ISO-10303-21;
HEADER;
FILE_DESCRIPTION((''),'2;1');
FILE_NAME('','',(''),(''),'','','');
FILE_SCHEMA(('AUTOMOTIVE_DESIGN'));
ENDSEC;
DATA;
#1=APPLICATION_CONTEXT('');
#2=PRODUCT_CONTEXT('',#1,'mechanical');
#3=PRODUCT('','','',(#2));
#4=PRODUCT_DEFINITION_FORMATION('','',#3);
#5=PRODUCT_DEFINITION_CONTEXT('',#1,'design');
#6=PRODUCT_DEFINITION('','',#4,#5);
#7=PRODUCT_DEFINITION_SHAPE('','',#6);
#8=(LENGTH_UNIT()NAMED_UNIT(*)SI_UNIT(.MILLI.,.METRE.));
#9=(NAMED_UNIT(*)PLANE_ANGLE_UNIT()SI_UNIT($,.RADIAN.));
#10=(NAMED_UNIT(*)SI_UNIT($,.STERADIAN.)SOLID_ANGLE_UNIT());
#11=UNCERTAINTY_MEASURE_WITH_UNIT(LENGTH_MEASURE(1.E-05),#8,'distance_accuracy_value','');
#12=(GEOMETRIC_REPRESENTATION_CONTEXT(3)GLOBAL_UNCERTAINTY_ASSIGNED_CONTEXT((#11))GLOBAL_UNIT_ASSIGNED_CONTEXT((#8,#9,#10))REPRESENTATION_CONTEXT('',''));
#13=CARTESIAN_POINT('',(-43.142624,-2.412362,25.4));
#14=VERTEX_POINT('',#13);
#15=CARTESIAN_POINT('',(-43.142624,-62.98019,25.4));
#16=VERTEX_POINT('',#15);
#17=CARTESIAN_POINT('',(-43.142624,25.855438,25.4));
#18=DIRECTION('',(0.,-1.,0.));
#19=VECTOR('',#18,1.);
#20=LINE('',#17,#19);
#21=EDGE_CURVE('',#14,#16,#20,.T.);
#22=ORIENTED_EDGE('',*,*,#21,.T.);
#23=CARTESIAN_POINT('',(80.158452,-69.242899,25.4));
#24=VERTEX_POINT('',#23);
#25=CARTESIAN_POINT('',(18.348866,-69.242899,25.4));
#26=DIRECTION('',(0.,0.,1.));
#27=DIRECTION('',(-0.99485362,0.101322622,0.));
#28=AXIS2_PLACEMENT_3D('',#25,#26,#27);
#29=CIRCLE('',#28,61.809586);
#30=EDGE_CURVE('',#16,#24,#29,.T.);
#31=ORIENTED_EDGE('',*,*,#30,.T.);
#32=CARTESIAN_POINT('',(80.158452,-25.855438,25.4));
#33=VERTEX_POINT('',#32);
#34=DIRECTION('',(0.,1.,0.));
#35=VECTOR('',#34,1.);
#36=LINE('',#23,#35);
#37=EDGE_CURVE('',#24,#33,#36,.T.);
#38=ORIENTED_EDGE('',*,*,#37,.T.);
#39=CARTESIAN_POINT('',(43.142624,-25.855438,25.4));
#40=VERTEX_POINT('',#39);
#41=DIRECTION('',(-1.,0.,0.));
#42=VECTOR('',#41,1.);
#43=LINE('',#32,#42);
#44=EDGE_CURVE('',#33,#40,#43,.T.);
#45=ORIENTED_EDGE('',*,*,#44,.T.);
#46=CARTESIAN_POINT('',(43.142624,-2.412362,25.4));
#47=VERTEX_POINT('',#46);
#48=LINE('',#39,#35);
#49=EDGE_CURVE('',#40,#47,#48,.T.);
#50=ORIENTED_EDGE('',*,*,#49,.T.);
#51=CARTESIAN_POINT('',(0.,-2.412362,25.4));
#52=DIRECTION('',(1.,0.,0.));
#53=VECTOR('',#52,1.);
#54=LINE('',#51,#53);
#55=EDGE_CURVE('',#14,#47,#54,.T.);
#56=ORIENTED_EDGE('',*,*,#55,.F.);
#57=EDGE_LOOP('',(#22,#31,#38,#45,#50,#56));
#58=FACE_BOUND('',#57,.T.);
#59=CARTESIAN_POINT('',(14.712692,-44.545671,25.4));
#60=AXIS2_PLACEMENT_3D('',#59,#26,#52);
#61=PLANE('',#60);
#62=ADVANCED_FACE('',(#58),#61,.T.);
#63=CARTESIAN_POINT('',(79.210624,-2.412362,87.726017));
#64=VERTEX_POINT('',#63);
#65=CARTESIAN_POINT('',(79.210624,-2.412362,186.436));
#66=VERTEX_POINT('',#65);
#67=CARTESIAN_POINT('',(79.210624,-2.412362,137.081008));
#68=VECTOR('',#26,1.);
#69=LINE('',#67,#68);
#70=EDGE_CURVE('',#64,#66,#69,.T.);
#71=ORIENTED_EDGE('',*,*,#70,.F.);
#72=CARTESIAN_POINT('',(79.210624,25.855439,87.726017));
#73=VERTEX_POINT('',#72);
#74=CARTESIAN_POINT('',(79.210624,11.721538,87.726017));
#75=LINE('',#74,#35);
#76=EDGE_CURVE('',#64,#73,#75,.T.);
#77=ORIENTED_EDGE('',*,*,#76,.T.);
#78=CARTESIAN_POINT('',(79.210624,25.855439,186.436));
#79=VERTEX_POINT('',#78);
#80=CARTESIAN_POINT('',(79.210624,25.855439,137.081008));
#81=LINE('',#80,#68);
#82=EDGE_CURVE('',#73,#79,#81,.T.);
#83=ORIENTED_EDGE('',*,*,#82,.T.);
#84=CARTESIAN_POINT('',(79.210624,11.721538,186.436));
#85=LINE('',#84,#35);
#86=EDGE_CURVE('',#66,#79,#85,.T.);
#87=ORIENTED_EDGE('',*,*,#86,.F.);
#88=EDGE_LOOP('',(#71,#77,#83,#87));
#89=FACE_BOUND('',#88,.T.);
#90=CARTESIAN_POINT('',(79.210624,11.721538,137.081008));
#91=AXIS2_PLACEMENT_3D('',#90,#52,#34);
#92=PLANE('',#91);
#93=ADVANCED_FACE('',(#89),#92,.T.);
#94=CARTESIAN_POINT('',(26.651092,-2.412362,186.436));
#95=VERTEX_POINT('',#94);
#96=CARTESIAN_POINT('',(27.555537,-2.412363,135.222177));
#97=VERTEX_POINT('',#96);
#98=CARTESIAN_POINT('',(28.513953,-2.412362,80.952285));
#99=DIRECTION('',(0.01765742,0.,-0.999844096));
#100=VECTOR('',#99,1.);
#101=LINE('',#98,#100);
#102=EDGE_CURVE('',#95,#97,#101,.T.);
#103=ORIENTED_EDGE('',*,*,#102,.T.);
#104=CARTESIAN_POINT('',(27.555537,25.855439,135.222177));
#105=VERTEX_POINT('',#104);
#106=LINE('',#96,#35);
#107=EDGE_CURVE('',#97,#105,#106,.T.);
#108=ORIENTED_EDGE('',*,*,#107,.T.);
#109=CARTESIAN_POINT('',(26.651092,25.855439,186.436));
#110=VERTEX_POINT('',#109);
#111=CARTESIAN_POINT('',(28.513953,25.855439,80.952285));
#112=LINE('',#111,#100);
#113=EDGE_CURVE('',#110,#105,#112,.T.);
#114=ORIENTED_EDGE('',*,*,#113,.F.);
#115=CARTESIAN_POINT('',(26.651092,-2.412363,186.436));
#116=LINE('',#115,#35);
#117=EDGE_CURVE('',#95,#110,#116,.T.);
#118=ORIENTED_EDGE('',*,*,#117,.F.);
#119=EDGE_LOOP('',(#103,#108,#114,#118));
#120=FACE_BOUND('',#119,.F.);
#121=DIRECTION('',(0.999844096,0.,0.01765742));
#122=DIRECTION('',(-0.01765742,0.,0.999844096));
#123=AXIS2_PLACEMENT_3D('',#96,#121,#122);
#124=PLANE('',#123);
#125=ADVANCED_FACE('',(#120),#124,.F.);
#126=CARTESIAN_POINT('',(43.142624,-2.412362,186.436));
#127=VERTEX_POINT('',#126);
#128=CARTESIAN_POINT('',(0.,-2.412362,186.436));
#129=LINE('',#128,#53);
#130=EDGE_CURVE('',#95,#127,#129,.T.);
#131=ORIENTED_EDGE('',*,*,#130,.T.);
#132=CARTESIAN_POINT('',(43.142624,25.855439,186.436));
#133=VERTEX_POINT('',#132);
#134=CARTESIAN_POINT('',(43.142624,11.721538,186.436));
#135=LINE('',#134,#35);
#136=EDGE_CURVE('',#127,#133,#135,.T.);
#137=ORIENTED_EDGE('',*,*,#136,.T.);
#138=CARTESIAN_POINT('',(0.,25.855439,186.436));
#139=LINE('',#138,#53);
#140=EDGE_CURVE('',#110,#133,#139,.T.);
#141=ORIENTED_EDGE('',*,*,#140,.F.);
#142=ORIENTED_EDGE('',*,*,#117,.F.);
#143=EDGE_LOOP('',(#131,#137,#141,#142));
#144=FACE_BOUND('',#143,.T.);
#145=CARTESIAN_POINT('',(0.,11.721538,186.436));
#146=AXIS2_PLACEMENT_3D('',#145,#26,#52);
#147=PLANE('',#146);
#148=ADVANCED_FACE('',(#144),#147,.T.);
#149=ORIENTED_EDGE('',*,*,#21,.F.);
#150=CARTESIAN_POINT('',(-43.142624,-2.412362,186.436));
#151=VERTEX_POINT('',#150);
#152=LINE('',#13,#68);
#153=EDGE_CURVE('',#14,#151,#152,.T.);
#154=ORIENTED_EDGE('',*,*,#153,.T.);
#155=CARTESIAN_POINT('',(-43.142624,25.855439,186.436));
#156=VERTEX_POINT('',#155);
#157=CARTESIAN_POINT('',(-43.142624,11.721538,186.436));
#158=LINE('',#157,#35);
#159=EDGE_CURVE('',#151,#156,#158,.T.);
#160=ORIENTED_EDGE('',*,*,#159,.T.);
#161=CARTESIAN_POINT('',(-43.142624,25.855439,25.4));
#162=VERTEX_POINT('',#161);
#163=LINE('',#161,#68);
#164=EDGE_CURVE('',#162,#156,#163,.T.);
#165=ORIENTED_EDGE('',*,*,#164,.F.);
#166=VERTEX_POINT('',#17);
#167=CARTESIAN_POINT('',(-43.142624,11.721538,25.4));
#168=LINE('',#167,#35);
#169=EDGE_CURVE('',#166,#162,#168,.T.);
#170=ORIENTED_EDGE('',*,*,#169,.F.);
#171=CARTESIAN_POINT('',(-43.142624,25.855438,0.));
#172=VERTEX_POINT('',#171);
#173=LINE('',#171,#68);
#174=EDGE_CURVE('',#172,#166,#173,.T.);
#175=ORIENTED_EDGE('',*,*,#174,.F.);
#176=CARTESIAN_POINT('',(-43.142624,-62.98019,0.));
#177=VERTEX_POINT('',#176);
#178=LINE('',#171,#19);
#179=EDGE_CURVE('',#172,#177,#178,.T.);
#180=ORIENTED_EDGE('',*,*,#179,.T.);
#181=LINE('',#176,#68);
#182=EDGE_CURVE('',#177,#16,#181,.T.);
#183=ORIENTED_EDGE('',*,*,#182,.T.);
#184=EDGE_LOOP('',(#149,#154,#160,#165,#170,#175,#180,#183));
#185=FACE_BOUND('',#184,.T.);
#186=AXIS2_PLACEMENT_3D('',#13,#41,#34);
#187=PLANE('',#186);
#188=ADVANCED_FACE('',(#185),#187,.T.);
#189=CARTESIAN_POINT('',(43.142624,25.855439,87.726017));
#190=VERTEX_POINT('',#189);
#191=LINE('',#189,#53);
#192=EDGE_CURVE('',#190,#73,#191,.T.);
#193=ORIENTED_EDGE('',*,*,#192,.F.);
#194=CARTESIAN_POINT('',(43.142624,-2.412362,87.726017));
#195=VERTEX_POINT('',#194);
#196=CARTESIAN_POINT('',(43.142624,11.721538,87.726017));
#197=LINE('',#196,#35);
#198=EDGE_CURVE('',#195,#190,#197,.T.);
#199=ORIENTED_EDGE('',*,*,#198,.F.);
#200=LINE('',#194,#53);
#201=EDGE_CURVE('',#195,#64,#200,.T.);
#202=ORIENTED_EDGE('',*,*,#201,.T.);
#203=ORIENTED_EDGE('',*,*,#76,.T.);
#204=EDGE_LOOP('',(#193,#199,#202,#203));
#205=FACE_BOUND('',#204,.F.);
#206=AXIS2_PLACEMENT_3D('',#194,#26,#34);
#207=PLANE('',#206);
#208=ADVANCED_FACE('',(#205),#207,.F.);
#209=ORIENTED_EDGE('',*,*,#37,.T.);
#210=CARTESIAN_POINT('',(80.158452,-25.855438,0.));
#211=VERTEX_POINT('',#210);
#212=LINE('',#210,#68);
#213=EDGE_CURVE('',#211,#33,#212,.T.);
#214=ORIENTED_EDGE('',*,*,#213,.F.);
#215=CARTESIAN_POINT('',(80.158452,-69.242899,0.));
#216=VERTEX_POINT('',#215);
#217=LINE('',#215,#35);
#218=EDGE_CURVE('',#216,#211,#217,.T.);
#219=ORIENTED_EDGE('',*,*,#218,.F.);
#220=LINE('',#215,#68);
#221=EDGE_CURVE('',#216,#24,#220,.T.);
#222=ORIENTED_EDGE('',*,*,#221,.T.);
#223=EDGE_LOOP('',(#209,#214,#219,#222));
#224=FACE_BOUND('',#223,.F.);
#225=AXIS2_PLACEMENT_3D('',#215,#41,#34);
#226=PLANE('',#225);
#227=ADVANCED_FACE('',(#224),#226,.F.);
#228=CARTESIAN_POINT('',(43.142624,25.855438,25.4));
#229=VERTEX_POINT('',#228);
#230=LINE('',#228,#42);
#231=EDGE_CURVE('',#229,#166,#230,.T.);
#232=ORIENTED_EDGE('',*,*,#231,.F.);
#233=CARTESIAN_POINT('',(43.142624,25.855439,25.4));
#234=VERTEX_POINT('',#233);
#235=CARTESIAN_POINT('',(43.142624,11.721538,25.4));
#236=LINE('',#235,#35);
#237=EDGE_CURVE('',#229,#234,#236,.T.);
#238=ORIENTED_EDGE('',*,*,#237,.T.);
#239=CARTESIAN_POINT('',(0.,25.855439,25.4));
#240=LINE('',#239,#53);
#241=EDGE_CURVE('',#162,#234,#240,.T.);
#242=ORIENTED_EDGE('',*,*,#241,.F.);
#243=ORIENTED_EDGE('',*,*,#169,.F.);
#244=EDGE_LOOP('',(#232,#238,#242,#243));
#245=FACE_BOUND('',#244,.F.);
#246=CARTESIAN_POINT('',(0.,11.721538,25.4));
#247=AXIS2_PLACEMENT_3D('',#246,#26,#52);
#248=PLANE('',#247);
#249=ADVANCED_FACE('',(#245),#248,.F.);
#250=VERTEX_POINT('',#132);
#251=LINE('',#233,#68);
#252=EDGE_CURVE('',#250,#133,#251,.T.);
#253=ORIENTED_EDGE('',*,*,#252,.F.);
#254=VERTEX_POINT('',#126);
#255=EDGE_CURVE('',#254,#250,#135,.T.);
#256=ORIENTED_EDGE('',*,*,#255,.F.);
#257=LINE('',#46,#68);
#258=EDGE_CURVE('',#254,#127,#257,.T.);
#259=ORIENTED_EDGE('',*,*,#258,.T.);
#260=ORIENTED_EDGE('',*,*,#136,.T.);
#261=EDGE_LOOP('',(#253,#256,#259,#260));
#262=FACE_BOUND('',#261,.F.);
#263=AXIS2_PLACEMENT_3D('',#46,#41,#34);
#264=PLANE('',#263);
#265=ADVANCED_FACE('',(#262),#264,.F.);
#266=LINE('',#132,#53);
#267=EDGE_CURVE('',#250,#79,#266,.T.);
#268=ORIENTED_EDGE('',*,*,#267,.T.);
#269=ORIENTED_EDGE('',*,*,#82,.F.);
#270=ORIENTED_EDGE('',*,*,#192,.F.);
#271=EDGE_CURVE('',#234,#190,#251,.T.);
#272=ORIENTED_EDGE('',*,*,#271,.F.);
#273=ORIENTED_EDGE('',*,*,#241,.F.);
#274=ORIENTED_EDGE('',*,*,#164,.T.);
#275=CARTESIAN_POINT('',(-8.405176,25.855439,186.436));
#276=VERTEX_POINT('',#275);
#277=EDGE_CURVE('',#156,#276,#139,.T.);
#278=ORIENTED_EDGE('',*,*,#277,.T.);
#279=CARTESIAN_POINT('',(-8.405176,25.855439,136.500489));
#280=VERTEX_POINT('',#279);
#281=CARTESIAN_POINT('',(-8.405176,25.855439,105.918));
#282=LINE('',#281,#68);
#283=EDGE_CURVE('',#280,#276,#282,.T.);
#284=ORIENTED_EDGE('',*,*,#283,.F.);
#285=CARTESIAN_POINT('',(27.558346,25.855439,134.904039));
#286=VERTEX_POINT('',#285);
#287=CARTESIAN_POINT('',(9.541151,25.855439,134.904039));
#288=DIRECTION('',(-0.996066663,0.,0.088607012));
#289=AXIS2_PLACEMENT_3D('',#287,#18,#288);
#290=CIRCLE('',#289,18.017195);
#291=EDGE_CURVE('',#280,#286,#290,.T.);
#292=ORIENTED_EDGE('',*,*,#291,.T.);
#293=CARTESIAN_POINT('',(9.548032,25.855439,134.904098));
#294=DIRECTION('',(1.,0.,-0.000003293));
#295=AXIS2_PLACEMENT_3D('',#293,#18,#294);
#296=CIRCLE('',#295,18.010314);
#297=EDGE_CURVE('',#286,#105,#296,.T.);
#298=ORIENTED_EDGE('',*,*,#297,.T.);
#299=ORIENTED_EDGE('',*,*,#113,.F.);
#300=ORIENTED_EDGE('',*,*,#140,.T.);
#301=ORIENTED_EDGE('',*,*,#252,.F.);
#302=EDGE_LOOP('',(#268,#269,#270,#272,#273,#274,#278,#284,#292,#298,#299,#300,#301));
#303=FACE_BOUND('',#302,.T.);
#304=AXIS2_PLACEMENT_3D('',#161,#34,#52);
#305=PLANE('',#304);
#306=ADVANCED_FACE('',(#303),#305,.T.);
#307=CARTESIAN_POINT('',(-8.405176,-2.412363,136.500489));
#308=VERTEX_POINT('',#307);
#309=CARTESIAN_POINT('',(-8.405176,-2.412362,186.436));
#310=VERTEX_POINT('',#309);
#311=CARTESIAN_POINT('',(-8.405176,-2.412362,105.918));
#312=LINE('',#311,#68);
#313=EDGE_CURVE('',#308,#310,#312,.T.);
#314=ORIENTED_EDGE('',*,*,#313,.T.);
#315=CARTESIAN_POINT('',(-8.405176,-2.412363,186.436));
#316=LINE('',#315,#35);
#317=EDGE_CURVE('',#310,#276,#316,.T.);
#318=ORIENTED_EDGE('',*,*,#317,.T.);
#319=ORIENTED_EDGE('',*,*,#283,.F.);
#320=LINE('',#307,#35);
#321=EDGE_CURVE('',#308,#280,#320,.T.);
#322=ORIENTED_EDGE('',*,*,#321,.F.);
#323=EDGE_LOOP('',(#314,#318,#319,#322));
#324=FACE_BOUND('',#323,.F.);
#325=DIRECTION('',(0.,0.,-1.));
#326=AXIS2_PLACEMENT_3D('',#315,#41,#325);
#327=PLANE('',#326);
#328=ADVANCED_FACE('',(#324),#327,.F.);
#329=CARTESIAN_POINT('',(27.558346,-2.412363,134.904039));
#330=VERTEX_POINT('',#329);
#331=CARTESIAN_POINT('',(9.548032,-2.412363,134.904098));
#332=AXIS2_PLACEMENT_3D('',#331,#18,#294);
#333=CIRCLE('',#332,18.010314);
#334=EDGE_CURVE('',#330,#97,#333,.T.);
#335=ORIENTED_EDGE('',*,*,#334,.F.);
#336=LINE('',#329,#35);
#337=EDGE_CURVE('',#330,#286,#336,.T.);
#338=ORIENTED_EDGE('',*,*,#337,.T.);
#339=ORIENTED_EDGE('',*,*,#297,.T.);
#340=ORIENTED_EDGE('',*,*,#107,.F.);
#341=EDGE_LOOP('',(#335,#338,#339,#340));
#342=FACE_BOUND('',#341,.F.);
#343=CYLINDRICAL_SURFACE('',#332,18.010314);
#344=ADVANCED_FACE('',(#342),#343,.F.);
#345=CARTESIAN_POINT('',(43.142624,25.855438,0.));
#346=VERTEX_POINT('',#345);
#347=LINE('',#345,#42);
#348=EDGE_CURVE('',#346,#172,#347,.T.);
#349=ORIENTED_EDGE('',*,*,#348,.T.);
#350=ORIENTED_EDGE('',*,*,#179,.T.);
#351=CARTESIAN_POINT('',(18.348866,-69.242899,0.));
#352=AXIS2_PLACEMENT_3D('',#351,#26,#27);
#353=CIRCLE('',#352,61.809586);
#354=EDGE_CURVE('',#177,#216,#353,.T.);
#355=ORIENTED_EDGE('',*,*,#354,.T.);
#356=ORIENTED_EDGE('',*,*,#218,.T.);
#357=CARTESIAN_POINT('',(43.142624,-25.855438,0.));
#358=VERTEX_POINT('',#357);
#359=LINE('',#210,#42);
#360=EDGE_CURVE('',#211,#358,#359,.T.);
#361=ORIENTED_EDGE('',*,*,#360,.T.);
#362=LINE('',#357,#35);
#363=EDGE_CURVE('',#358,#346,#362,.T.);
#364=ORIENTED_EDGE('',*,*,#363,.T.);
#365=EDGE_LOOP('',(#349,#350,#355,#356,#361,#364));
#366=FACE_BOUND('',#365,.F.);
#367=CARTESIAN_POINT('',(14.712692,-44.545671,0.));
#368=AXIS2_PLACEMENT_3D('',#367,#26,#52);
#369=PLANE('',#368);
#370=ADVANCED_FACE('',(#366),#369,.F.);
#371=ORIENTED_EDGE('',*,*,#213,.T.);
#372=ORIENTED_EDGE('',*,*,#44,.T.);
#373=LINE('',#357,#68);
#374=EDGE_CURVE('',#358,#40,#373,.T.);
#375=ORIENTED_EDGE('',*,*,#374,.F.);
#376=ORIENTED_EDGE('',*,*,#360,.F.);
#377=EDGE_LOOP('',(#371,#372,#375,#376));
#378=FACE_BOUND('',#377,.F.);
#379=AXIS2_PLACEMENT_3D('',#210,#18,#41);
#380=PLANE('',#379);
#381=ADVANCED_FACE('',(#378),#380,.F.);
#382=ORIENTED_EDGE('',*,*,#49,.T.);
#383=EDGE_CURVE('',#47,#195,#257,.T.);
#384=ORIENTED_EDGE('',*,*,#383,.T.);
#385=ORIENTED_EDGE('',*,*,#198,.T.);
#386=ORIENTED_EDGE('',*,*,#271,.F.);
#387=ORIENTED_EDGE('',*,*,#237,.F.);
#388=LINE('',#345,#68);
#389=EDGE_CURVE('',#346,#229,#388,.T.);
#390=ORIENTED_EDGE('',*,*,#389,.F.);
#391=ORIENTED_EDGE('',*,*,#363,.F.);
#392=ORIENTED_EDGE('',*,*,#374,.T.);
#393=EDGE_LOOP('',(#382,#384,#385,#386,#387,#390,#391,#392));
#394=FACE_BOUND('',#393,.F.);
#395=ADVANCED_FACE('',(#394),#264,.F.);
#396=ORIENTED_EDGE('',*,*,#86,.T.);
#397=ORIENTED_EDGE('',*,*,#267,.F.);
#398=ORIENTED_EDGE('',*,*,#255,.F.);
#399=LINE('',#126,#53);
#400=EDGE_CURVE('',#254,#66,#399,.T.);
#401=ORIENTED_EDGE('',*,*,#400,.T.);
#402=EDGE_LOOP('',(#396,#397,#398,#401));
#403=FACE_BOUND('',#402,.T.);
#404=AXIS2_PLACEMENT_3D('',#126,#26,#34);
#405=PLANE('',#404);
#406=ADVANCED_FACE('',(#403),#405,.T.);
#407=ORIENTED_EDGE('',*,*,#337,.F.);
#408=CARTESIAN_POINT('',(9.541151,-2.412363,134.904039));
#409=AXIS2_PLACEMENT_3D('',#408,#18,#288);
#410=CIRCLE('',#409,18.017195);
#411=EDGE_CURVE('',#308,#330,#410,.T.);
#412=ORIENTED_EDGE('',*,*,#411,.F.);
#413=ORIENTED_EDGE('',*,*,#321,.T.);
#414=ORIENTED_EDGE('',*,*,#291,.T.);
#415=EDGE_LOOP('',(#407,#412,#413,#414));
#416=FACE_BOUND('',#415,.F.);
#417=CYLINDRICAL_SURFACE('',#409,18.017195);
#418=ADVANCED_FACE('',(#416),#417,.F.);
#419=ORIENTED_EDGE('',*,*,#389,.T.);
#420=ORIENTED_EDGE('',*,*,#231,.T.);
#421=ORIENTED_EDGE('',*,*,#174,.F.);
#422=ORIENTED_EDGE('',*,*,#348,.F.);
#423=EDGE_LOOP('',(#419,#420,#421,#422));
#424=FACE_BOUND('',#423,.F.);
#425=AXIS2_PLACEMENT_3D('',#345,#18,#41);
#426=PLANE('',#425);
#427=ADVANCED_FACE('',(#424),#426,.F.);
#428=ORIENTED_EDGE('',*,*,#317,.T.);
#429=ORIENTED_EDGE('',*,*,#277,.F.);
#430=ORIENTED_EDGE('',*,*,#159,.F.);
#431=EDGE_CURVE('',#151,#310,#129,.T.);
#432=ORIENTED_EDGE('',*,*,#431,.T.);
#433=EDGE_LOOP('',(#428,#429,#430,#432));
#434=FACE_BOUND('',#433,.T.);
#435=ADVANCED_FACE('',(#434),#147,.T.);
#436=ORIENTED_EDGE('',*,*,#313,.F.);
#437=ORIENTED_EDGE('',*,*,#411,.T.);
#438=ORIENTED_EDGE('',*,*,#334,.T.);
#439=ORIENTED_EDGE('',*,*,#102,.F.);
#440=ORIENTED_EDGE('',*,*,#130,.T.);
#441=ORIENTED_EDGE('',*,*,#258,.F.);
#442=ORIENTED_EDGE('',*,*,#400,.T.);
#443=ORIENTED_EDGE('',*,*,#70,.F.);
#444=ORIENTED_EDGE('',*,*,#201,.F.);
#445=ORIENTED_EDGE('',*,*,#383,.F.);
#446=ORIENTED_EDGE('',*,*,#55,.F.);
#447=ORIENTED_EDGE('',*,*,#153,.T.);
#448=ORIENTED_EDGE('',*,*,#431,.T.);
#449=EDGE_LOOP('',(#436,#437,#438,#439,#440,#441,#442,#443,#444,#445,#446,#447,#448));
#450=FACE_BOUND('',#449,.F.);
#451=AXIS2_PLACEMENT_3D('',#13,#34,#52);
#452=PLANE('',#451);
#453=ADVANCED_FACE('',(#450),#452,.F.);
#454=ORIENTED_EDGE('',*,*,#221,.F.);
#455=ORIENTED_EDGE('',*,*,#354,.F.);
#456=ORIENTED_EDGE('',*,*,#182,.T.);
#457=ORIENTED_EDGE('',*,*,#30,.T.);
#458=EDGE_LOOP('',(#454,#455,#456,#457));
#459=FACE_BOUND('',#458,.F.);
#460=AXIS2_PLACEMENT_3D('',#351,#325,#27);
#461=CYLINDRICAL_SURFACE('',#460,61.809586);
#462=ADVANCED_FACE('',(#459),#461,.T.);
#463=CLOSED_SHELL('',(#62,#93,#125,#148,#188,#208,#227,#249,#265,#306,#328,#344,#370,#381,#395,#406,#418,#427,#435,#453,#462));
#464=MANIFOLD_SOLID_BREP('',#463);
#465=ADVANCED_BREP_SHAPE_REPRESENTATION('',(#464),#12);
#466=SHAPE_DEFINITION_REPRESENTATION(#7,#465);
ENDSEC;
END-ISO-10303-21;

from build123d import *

# Parameters (mm, degrees)
F1_DEPTH = 25.4
F2_W     = 86.285248
F2_H     = 28.267801
F3_DEPTH = 161.036
F4_W     = 28.267801
F4_H     = 98.709983
F5_DEPTH = 36.068
F7_DEPTH = 66.548


with BuildPart() as f1:
    # F0 (on Top) → F1 (new body)
    with BuildSketch(Plane.XY):
        with BuildLine():
            Line((43.142624, -25.855438), (43.142624, 25.855438))
            Line((43.142624, 25.855438), (-43.142624, 25.855438))
            Line((-43.142624, 25.855438), (-43.142624, -25.855438))
            Line((-43.142624, -25.855438), (-43.142624, -62.98019))
            ThreePointArc((-43.142624, -62.98019), (15.213475, -130.97291), (80.158452, -69.242899))
            Line((80.158452, -69.242899), (80.158452, -25.855438))
            Line((80.158452, -25.855438), (43.142624, -25.855438))
        make_face()
    extrude(amount=F1_DEPTH)

    # F2 (on face) → F3 (join)
    with BuildSketch(Plane.XY.offset(25.4)):
        with Locations((0, 11.721538)):
            Rectangle(F2_W, F2_H)
    extrude(amount=F3_DEPTH)

    # F4 (on face) → F5 (join)
    with BuildSketch(Plane.YZ.offset(43.142624)):
        with Locations((11.721538, 137.081008)):
            Rectangle(F4_W, F4_H)
    extrude(amount=F5_DEPTH)

    # F6 (on face) → F7 (cut)
    with BuildSketch(Plane.XZ.offset(2.412363)):
        with BuildLine():
            ThreePointArc((-8.405176, 136.500489), (8.74214, 116.90457), (27.558346, 134.904039))
            ThreePointArc((27.558346, 134.904039), (27.557644, 135.063114), (27.555537, 135.222177))
            ThreePointArc((27.555537, 135.222177), (10.181212, 152.909862), (-8.405176, 136.500489))
        make_face()
        with BuildLine():
            ThreePointArc((-8.405176, 136.500489), (10.181212, 152.909862), (27.555537, 135.222177))
            Line((27.555537, 135.222177), (26.651092, 186.436))
            Line((26.651092, 186.436), (-8.405176, 186.436))
            Line((-8.405176, 186.436), (-8.405176, 136.500489))
        make_face()
    extrude(amount=-F7_DEPTH, mode=Mode.SUBTRACT)


solid = f1.part
